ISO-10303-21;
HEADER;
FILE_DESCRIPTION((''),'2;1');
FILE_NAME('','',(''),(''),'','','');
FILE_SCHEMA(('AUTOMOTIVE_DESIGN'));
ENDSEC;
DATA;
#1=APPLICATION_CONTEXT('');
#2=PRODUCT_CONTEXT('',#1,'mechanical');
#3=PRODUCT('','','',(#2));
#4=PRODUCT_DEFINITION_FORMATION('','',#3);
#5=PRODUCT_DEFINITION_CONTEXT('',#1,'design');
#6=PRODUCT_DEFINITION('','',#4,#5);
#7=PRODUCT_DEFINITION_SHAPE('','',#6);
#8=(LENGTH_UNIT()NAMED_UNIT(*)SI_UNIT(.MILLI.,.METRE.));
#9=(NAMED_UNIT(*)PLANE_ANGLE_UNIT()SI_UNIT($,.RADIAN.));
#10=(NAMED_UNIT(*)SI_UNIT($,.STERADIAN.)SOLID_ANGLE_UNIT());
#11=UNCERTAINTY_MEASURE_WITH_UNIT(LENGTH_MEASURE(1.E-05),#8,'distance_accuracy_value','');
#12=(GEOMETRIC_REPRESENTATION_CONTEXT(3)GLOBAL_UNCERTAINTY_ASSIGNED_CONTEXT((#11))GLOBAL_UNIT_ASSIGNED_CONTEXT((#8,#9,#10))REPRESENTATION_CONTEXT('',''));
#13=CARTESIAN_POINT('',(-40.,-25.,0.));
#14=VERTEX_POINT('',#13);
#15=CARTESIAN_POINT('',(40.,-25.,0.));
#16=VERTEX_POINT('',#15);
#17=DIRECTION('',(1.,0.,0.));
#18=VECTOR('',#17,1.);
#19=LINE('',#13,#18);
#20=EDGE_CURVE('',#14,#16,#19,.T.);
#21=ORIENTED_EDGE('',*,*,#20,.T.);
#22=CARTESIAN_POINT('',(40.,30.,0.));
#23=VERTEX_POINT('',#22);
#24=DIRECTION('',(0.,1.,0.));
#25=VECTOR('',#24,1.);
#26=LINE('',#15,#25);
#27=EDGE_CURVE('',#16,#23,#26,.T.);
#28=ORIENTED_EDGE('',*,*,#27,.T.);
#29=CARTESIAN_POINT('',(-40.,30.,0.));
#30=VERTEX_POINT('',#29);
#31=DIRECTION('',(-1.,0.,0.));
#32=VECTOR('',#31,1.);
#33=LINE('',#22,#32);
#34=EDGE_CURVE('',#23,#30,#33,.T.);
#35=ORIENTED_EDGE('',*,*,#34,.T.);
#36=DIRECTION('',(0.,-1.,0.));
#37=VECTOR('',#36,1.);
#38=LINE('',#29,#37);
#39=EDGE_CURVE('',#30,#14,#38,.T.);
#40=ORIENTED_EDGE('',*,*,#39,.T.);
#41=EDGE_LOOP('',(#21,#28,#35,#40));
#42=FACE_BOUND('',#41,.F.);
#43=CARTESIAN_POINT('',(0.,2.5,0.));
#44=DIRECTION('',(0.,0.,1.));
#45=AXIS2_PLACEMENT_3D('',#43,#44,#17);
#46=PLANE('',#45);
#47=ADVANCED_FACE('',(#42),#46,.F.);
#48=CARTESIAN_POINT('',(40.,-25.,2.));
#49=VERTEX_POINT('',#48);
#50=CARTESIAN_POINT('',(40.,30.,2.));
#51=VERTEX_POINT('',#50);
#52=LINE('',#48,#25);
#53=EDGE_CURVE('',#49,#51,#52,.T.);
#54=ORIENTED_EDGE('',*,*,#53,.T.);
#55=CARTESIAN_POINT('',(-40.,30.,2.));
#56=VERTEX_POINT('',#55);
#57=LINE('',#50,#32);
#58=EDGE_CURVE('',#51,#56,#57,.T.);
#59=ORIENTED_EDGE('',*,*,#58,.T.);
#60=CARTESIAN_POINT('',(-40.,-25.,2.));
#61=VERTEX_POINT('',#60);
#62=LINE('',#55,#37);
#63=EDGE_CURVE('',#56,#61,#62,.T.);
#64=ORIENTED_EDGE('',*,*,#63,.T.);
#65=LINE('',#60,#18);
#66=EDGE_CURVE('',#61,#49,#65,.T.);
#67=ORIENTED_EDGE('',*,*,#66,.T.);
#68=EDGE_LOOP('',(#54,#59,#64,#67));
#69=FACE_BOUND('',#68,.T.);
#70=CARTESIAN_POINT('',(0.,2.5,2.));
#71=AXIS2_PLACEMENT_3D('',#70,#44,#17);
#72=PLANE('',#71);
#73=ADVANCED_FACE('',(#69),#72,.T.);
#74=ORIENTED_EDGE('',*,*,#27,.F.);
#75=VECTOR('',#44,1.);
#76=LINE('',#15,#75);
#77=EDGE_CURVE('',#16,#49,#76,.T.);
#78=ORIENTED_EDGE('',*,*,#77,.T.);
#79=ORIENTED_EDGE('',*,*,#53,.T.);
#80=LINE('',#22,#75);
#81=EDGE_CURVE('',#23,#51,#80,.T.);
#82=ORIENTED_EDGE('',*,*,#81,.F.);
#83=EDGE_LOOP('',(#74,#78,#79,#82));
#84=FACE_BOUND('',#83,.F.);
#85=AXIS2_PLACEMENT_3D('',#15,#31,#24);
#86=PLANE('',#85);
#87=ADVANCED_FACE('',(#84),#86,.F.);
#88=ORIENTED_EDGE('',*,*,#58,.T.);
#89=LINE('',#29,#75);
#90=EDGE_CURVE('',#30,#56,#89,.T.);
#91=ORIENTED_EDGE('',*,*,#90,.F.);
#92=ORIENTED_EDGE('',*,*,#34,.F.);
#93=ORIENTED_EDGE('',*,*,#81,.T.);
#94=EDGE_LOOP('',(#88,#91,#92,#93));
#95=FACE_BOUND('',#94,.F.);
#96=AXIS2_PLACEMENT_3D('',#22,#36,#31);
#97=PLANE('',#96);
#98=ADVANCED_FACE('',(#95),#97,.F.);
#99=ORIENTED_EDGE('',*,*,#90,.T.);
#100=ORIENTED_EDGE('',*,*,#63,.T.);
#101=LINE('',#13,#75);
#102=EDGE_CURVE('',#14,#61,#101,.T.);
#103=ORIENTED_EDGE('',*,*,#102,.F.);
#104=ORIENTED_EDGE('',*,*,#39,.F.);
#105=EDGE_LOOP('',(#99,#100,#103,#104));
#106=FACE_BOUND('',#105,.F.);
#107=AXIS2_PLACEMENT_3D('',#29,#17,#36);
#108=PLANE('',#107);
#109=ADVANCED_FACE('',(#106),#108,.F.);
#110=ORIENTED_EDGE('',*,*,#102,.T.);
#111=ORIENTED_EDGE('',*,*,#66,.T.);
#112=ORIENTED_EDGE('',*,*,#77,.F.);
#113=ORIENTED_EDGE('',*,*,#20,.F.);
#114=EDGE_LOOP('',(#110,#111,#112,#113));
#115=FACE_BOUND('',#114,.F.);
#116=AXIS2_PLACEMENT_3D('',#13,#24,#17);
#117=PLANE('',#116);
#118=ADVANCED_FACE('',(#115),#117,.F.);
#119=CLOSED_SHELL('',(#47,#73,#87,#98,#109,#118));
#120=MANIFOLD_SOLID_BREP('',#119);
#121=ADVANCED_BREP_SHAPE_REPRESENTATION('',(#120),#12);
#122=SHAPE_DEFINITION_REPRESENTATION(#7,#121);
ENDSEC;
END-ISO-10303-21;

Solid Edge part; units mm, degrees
sketch "Sketch1" plane through (0, 0, 0) normal (0, 0, 1) x (1, 0, 0)
  line L0 (40, -25) -> (40, 30)
  line L1 (40, 30) -> (-40, 30)
  line L2 (-40, 30) -> (-40, -25)
  line L3 (-40, -25) -> (40, -25)
extrude "ExtrudedProtrusion_4" add sketch "Sketch1" along normal blind 2
properties material "ABS Plastic, high impact"
